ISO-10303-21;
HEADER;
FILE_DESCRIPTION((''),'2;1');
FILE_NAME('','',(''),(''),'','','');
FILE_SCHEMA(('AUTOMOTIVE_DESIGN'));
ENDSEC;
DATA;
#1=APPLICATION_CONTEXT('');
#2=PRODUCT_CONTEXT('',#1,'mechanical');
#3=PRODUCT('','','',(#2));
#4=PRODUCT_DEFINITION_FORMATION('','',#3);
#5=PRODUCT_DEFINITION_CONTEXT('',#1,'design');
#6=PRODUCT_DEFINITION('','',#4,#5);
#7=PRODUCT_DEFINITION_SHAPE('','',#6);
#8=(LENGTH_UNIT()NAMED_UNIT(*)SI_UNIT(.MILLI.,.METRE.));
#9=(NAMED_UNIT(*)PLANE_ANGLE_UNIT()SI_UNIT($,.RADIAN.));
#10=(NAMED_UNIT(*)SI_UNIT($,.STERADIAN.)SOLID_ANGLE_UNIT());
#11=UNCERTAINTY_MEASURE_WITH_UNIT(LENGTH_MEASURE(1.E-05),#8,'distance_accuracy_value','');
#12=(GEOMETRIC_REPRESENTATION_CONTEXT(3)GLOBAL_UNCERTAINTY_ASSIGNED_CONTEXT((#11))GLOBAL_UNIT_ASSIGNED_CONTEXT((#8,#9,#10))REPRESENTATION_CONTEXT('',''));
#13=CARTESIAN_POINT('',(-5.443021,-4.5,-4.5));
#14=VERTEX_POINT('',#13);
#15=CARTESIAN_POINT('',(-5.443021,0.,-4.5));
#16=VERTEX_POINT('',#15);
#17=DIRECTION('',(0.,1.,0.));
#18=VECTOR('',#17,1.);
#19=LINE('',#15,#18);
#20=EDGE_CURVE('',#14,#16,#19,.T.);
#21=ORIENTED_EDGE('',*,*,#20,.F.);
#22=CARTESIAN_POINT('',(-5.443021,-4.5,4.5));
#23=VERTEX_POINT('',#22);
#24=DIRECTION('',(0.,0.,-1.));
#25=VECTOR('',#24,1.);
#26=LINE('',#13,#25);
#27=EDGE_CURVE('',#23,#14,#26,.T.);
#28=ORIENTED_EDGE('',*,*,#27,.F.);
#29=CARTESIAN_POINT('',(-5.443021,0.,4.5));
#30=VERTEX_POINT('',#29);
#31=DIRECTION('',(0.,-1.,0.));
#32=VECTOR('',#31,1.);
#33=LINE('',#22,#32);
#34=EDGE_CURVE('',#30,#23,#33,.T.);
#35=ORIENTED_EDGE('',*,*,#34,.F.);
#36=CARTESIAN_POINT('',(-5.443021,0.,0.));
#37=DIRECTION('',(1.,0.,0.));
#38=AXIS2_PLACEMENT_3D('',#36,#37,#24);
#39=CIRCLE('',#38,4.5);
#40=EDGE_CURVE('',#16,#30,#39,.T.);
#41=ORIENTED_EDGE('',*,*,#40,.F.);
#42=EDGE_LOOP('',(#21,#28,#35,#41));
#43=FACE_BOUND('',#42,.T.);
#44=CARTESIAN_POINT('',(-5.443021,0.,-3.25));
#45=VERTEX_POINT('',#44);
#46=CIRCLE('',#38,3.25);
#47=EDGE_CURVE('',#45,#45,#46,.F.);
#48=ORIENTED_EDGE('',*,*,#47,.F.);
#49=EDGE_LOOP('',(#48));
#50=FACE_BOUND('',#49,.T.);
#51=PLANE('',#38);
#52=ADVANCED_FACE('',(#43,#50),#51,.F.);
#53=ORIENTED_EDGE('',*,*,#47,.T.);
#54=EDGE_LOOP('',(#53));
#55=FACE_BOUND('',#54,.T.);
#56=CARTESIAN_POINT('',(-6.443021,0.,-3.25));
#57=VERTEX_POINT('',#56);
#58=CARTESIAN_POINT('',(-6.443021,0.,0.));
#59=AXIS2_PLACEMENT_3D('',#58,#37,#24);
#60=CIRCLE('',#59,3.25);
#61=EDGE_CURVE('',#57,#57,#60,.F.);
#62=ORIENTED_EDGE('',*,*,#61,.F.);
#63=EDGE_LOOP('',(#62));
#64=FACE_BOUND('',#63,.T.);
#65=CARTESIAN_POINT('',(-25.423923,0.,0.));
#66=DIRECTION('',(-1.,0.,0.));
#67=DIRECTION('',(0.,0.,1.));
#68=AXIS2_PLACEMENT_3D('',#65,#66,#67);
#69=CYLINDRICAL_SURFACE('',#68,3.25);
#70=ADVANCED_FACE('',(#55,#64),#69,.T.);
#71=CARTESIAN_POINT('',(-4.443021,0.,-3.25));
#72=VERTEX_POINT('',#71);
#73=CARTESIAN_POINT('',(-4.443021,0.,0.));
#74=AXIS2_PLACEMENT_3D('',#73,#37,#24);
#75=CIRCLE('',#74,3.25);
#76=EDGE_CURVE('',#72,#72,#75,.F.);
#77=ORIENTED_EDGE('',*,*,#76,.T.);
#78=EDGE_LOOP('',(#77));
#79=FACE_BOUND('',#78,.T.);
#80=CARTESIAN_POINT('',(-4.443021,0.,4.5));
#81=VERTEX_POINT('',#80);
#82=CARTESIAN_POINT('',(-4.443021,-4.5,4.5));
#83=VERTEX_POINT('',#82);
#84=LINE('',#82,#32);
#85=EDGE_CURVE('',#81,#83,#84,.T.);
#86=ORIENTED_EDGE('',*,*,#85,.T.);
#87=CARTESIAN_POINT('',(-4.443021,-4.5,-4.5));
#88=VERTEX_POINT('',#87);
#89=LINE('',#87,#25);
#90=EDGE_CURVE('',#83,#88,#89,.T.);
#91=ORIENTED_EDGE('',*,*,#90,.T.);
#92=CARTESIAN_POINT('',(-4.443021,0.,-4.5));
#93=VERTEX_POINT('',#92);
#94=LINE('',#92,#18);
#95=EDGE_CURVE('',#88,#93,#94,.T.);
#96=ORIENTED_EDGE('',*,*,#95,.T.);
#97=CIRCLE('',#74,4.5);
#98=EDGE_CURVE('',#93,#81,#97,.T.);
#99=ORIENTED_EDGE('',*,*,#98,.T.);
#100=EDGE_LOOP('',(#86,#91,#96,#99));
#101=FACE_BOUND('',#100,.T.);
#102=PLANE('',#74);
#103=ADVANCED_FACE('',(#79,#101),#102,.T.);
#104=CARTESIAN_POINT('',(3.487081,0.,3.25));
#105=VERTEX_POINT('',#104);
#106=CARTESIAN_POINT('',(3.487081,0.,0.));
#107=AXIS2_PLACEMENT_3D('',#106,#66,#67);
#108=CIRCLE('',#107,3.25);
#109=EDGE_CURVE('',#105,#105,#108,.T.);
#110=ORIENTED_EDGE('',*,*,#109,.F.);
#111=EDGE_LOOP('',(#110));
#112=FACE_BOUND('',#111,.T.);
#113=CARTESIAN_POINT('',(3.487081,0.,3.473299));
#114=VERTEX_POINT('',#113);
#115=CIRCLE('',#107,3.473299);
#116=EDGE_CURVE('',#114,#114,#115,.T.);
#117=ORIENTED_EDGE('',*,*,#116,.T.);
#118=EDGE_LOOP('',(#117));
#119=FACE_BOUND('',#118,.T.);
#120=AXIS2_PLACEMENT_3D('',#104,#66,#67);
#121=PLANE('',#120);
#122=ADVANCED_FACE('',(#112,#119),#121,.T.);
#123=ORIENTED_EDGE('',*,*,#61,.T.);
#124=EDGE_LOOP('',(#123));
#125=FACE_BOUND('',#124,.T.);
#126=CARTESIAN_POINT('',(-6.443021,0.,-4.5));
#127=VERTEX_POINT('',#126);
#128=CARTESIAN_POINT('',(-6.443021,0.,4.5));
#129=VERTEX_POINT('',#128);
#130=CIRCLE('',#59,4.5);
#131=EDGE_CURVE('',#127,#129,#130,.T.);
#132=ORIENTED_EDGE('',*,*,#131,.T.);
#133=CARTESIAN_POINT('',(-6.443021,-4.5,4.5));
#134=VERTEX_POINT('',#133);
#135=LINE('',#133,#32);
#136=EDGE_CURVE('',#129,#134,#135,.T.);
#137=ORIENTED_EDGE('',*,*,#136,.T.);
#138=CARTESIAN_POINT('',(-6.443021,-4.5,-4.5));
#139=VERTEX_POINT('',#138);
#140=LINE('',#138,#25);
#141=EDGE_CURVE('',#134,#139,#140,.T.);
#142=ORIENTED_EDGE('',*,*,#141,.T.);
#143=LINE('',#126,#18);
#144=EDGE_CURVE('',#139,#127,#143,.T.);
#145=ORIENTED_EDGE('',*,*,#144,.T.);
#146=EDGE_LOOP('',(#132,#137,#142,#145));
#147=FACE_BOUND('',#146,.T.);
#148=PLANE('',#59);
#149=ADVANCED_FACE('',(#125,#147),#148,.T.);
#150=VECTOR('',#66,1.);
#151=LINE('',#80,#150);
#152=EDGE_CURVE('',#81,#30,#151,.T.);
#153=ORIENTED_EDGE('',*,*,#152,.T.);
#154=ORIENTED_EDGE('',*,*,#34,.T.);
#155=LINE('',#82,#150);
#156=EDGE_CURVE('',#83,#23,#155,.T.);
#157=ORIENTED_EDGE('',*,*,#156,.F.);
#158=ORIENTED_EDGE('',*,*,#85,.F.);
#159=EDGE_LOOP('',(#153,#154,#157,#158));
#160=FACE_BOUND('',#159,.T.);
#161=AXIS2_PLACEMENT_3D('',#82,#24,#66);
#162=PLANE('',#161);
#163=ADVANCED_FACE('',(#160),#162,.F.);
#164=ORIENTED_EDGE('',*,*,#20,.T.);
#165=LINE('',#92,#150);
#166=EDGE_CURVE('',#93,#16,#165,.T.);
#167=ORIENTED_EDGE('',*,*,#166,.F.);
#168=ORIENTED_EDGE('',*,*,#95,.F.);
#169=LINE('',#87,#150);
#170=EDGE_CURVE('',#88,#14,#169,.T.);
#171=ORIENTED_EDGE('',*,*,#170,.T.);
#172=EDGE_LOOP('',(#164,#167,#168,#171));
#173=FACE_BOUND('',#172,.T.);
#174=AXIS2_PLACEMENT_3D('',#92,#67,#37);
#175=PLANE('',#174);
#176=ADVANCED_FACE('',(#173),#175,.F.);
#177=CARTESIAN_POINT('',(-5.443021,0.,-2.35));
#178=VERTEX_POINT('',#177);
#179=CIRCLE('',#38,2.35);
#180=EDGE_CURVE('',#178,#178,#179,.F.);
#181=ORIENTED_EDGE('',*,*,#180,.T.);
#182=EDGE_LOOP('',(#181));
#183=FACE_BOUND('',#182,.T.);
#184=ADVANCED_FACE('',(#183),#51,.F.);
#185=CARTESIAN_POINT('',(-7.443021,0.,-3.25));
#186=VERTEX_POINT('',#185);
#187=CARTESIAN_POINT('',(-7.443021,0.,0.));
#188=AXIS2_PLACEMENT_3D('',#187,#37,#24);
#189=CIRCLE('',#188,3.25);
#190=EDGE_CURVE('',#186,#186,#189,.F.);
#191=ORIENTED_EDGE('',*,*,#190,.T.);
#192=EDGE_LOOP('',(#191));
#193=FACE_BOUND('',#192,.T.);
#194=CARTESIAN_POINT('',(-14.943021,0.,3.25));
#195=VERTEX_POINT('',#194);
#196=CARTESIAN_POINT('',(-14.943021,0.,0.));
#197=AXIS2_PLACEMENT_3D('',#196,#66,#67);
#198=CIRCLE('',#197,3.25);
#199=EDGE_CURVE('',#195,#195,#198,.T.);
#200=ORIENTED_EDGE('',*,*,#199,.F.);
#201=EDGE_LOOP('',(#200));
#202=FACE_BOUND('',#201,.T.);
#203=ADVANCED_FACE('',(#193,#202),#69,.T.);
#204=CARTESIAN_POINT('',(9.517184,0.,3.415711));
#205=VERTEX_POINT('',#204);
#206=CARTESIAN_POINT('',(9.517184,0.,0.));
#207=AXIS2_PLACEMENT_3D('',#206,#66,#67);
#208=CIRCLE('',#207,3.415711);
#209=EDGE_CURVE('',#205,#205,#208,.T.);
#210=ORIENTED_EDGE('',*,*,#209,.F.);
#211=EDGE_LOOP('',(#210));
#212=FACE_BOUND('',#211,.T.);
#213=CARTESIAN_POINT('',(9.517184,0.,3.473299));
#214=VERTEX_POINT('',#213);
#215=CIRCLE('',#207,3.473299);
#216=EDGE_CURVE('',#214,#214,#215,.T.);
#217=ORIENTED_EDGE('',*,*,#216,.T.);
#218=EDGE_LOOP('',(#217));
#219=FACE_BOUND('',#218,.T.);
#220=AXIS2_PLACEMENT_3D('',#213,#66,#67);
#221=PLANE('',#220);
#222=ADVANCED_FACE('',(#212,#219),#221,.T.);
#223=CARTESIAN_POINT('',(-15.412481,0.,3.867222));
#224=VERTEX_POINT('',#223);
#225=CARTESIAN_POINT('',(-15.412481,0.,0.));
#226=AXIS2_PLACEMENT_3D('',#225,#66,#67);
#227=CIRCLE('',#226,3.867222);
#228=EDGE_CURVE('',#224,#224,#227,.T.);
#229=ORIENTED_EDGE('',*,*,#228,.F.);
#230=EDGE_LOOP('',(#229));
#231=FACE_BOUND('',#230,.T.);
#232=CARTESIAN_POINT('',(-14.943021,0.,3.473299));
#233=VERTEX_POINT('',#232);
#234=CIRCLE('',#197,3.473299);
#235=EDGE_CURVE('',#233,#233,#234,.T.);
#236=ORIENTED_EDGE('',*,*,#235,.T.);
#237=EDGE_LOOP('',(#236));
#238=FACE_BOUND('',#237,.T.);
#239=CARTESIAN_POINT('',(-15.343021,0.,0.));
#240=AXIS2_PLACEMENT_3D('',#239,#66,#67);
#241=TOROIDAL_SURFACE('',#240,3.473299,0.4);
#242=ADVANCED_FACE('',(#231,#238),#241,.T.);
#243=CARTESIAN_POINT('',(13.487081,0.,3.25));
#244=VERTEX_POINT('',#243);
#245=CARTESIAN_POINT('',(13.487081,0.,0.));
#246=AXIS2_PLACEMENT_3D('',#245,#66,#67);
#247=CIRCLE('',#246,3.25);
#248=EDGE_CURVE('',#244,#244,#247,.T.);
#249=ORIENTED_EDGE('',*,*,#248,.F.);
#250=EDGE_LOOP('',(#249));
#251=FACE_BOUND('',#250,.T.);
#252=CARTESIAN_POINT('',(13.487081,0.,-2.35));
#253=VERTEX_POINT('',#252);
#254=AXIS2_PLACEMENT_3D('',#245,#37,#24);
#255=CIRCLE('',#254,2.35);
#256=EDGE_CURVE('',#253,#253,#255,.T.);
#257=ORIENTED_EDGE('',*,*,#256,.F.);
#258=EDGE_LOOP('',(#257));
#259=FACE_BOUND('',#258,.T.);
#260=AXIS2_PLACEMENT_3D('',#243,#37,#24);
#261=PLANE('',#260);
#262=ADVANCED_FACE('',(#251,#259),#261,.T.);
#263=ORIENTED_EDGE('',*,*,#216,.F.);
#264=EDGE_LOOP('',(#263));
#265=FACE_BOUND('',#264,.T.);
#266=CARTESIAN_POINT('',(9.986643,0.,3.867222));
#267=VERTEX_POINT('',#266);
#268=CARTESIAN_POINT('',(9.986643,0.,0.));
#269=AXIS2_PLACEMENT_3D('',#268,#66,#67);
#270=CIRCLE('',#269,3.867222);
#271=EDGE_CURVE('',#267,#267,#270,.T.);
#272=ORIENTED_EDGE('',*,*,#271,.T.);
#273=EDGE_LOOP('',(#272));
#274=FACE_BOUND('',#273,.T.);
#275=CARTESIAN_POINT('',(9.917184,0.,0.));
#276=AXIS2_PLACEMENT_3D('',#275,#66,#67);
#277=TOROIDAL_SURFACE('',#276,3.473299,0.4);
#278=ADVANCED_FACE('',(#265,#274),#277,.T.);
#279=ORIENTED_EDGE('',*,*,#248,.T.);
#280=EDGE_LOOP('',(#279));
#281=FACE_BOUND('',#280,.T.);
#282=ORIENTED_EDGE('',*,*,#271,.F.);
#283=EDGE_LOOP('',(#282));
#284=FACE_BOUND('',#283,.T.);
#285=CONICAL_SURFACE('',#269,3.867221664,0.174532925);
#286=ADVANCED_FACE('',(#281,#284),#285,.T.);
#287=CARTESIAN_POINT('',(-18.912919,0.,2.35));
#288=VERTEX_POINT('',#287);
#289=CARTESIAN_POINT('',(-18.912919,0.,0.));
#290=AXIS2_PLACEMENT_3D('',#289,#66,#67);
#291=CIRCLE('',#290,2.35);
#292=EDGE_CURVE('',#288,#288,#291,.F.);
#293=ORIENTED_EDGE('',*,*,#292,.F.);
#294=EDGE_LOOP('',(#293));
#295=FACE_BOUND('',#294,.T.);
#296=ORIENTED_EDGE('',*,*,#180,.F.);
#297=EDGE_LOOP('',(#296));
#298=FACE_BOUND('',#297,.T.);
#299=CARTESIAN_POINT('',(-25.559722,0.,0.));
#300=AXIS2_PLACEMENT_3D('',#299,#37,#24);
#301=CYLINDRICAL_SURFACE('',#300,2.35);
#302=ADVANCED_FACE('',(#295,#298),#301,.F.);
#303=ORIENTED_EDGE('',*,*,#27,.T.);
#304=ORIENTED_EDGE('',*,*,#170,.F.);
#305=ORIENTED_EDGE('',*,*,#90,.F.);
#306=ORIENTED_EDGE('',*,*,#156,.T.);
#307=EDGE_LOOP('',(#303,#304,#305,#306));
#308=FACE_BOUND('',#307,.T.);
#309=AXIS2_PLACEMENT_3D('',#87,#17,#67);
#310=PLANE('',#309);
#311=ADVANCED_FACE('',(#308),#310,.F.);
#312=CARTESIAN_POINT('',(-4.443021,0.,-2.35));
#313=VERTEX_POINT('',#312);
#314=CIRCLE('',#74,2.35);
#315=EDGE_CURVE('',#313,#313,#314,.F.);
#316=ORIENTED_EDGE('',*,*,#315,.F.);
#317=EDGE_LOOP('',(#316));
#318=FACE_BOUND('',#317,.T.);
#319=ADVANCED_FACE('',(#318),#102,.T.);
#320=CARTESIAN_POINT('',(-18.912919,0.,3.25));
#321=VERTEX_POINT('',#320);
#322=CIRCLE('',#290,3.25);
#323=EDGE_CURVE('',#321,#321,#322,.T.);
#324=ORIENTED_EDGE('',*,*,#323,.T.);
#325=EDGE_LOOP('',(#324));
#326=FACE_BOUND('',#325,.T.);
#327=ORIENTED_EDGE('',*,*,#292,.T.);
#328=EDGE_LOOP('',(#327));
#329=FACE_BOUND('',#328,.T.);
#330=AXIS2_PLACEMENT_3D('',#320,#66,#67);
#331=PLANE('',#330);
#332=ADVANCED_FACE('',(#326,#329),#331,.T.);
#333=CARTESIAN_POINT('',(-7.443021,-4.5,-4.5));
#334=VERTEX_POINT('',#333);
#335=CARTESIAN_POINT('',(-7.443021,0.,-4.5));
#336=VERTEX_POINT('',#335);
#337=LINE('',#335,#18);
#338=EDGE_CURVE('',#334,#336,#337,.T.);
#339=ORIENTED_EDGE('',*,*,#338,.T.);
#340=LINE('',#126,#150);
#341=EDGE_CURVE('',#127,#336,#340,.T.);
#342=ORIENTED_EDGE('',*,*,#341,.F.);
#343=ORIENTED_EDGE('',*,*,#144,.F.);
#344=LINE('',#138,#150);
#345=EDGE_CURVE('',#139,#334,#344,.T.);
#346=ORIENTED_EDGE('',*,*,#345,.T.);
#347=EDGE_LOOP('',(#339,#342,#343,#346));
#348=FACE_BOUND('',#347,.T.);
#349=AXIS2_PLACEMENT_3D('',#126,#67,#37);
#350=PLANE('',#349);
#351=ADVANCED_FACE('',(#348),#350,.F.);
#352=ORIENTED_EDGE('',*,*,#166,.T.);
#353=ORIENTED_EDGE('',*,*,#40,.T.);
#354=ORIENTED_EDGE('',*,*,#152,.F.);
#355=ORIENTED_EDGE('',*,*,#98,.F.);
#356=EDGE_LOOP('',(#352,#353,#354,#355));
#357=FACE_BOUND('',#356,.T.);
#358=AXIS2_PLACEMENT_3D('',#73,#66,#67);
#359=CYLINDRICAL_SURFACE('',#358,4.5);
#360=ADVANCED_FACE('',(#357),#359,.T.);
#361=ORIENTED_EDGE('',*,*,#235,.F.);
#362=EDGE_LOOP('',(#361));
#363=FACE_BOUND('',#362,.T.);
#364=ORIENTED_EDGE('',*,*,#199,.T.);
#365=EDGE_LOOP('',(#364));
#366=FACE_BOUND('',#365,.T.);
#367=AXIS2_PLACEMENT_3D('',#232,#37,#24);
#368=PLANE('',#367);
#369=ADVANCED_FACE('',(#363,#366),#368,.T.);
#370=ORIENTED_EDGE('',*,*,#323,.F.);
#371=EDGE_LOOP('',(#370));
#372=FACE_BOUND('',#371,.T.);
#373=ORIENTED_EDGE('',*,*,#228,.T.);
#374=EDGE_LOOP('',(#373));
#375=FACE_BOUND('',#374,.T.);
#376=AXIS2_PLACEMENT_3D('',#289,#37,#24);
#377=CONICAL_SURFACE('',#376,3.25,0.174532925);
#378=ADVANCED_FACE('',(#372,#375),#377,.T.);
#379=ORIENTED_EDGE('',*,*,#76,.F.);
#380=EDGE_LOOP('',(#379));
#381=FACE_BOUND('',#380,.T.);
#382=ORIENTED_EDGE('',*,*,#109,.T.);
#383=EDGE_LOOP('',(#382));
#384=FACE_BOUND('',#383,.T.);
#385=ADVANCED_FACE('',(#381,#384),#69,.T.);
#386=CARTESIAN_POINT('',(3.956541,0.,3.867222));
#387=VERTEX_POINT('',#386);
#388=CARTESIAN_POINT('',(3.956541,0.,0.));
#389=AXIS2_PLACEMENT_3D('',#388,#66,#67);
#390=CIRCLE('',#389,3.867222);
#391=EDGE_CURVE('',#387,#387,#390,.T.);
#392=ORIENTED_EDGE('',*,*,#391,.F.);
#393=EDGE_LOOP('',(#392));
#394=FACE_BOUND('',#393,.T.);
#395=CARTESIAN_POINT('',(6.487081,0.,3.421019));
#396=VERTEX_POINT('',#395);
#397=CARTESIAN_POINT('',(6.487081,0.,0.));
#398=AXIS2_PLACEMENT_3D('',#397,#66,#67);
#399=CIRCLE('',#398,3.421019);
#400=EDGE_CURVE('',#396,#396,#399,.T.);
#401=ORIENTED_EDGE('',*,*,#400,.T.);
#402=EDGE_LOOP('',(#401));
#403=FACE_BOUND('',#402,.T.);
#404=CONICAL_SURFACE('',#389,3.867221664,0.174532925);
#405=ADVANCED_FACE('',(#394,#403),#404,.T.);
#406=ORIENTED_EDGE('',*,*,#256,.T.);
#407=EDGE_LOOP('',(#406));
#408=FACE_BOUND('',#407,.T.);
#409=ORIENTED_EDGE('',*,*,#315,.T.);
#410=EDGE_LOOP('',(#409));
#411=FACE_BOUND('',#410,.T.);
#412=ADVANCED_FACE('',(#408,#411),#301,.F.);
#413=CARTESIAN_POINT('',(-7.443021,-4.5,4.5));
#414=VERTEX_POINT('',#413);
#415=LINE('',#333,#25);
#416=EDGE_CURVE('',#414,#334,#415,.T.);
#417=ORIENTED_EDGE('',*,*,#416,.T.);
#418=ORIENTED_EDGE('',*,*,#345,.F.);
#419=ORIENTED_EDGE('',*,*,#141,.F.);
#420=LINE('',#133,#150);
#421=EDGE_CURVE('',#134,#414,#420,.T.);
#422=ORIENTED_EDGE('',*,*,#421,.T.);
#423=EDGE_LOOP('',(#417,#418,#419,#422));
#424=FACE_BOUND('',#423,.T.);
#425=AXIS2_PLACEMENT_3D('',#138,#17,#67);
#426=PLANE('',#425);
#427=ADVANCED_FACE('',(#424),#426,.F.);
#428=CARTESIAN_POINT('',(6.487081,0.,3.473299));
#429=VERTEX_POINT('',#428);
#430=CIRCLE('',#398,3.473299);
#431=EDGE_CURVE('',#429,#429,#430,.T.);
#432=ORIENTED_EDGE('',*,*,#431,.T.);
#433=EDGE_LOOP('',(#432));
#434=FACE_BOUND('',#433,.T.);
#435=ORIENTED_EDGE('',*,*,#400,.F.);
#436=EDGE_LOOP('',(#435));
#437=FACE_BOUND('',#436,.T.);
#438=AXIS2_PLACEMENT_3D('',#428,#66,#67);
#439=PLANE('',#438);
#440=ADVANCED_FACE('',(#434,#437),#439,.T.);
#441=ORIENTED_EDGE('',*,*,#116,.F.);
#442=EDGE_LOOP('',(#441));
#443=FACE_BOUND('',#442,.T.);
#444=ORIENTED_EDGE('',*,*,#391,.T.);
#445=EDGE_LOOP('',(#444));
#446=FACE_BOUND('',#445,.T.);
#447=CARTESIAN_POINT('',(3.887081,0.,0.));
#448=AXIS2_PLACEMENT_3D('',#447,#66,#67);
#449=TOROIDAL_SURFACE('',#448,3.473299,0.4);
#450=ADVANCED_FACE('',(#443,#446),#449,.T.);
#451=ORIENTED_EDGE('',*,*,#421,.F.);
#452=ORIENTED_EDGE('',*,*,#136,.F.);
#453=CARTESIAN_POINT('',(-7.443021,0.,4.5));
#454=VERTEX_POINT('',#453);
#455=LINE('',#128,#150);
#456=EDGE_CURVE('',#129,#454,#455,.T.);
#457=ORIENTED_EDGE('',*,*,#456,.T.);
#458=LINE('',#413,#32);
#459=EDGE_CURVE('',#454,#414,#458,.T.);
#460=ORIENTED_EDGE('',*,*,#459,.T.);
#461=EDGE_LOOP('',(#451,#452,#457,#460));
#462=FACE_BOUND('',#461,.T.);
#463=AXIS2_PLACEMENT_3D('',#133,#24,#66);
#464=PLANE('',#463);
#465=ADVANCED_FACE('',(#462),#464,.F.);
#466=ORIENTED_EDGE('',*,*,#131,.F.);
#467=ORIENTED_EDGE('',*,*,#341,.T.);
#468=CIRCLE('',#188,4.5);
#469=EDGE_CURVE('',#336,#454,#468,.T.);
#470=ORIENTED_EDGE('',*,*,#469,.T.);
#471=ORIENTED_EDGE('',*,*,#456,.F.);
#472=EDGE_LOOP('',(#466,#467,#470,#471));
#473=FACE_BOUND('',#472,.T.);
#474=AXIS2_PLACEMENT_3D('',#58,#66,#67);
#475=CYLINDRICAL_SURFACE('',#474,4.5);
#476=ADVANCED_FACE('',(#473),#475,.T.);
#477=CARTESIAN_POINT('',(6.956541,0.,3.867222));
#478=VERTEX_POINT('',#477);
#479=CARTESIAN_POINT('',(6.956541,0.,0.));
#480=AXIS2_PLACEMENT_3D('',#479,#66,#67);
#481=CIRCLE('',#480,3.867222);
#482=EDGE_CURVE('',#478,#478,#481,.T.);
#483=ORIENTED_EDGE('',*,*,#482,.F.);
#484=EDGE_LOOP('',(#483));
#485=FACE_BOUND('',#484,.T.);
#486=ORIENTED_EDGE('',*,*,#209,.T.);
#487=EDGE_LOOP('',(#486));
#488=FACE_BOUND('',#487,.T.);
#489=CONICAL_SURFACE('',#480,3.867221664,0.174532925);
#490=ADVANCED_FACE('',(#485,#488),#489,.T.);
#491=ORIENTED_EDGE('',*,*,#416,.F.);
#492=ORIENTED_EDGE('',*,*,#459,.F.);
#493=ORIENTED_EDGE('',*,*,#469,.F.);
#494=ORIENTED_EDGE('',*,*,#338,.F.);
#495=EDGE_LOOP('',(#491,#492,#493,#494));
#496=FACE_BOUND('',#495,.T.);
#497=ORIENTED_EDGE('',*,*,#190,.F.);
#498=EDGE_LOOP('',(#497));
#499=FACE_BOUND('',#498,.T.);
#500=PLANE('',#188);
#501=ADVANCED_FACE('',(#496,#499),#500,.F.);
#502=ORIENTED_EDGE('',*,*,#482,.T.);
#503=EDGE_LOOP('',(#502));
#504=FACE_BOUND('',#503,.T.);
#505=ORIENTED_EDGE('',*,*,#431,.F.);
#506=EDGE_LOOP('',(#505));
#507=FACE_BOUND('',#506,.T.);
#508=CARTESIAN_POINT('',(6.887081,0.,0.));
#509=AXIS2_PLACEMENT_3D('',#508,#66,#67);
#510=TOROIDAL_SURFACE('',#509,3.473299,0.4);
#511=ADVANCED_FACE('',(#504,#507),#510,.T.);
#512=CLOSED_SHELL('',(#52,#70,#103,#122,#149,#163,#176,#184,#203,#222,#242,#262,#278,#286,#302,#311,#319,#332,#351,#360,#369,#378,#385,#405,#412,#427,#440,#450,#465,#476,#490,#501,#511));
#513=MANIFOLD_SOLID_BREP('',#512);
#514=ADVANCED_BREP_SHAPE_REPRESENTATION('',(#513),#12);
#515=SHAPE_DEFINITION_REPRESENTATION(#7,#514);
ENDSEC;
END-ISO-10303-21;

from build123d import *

# Parameters (mm, degrees)
BOSS_EXTRUDE1_DEPTH = 1
SKETCH2_R           = 2.35
CUT_EXTRUDE1_DEPTH  = 32.4
LPATTERN1_COUNT     = 2
LPATTERN1_PITCH     = 2


with BuildPart() as part:
    # Sketch1 → Revolve1 (revolve)
    with BuildSketch(Plane(origin=(0, 0, 0), x_dir=(1, 0, 0), z_dir=(0, 1, 0))):
        with BuildLine():
            Line((-18.91291866, 0), (13.48708134, 0))
            Line((13.48708134, 0), (13.48708134, -3.25))
            Line((13.48708134, -3.25), (9.986643337, -3.867221664))
            ThreePointArc((9.986643337, -3.867221664), (9.660069022, -3.77971634), (9.517184066, -3.473298563))
            Line((9.517184066, -3.473298563), (9.517184066, -3.415711135))
            Line((9.517184066, -3.415711135), (6.956540611, -3.867221664))
            ThreePointArc((6.956540611, -3.867221664), (6.629966296, -3.77971634), (6.48708134, -3.473298563))
            Line((6.48708134, -3.473298563), (6.48708134, -3.421019058))
            Line((6.48708134, -3.421019058), (3.956540611, -3.867221664))
            ThreePointArc((3.956540611, -3.867221664), (3.629966296, -3.77971634), (3.48708134, -3.473298563))
            Line((3.48708134, -3.473298563), (3.48708134, -3.25))
            Line((3.48708134, -3.25), (-14.943021387, -3.25))
            Line((-14.943021387, -3.25), (-14.943021387, -3.473298563))
            ThreePointArc((-14.943021387, -3.473298563), (-15.085906343, -3.77971634), (-15.412480658, -3.867221664))
            Line((-15.412480658, -3.867221664), (-18.91291866, -3.25))
            Line((-18.91291866, -3.25), (-18.91291866, 0))
        make_face()
    revolve(axis=Axis((-25.423923445, 0, 0), (1, 0, 0)))

    # Sketch3 → Boss-Extrude1 (add)
    with BuildSketch(Plane(origin=(-7.443021387, 0, 0), x_dir=(0, 0, -1), z_dir=(1, 0, 0))):
        with BuildLine():
            Line((4.5, -4.5), (-4.5, -4.5))
            Line((-4.5, -4.5), (-4.5, 0))
            ThreePointArc((-4.5, 0), (0, 4.5), (4.5, 0))
            Line((4.5, 0), (4.5, -4.5))
        make_face()
    boss_extrude1 = extrude(amount=BOSS_EXTRUDE1_DEPTH)

    # Sketch2 → Cut-Extrude1 (cut)
    with BuildSketch(Plane(origin=(13.48708134, 0, 0), x_dir=(0, 0, -1), z_dir=(1, 0, 0))):
        Circle(SKETCH2_R)
    extrude(amount=-CUT_EXTRUDE1_DEPTH, mode=Mode.SUBTRACT)

    # LPattern1: Boss-Extrude1 ×2
    with Locations(*[(i * LPATTERN1_PITCH, 0, 0) for i in range(1, LPATTERN1_COUNT)]):
        add(boss_extrude1)


solid = part.part
